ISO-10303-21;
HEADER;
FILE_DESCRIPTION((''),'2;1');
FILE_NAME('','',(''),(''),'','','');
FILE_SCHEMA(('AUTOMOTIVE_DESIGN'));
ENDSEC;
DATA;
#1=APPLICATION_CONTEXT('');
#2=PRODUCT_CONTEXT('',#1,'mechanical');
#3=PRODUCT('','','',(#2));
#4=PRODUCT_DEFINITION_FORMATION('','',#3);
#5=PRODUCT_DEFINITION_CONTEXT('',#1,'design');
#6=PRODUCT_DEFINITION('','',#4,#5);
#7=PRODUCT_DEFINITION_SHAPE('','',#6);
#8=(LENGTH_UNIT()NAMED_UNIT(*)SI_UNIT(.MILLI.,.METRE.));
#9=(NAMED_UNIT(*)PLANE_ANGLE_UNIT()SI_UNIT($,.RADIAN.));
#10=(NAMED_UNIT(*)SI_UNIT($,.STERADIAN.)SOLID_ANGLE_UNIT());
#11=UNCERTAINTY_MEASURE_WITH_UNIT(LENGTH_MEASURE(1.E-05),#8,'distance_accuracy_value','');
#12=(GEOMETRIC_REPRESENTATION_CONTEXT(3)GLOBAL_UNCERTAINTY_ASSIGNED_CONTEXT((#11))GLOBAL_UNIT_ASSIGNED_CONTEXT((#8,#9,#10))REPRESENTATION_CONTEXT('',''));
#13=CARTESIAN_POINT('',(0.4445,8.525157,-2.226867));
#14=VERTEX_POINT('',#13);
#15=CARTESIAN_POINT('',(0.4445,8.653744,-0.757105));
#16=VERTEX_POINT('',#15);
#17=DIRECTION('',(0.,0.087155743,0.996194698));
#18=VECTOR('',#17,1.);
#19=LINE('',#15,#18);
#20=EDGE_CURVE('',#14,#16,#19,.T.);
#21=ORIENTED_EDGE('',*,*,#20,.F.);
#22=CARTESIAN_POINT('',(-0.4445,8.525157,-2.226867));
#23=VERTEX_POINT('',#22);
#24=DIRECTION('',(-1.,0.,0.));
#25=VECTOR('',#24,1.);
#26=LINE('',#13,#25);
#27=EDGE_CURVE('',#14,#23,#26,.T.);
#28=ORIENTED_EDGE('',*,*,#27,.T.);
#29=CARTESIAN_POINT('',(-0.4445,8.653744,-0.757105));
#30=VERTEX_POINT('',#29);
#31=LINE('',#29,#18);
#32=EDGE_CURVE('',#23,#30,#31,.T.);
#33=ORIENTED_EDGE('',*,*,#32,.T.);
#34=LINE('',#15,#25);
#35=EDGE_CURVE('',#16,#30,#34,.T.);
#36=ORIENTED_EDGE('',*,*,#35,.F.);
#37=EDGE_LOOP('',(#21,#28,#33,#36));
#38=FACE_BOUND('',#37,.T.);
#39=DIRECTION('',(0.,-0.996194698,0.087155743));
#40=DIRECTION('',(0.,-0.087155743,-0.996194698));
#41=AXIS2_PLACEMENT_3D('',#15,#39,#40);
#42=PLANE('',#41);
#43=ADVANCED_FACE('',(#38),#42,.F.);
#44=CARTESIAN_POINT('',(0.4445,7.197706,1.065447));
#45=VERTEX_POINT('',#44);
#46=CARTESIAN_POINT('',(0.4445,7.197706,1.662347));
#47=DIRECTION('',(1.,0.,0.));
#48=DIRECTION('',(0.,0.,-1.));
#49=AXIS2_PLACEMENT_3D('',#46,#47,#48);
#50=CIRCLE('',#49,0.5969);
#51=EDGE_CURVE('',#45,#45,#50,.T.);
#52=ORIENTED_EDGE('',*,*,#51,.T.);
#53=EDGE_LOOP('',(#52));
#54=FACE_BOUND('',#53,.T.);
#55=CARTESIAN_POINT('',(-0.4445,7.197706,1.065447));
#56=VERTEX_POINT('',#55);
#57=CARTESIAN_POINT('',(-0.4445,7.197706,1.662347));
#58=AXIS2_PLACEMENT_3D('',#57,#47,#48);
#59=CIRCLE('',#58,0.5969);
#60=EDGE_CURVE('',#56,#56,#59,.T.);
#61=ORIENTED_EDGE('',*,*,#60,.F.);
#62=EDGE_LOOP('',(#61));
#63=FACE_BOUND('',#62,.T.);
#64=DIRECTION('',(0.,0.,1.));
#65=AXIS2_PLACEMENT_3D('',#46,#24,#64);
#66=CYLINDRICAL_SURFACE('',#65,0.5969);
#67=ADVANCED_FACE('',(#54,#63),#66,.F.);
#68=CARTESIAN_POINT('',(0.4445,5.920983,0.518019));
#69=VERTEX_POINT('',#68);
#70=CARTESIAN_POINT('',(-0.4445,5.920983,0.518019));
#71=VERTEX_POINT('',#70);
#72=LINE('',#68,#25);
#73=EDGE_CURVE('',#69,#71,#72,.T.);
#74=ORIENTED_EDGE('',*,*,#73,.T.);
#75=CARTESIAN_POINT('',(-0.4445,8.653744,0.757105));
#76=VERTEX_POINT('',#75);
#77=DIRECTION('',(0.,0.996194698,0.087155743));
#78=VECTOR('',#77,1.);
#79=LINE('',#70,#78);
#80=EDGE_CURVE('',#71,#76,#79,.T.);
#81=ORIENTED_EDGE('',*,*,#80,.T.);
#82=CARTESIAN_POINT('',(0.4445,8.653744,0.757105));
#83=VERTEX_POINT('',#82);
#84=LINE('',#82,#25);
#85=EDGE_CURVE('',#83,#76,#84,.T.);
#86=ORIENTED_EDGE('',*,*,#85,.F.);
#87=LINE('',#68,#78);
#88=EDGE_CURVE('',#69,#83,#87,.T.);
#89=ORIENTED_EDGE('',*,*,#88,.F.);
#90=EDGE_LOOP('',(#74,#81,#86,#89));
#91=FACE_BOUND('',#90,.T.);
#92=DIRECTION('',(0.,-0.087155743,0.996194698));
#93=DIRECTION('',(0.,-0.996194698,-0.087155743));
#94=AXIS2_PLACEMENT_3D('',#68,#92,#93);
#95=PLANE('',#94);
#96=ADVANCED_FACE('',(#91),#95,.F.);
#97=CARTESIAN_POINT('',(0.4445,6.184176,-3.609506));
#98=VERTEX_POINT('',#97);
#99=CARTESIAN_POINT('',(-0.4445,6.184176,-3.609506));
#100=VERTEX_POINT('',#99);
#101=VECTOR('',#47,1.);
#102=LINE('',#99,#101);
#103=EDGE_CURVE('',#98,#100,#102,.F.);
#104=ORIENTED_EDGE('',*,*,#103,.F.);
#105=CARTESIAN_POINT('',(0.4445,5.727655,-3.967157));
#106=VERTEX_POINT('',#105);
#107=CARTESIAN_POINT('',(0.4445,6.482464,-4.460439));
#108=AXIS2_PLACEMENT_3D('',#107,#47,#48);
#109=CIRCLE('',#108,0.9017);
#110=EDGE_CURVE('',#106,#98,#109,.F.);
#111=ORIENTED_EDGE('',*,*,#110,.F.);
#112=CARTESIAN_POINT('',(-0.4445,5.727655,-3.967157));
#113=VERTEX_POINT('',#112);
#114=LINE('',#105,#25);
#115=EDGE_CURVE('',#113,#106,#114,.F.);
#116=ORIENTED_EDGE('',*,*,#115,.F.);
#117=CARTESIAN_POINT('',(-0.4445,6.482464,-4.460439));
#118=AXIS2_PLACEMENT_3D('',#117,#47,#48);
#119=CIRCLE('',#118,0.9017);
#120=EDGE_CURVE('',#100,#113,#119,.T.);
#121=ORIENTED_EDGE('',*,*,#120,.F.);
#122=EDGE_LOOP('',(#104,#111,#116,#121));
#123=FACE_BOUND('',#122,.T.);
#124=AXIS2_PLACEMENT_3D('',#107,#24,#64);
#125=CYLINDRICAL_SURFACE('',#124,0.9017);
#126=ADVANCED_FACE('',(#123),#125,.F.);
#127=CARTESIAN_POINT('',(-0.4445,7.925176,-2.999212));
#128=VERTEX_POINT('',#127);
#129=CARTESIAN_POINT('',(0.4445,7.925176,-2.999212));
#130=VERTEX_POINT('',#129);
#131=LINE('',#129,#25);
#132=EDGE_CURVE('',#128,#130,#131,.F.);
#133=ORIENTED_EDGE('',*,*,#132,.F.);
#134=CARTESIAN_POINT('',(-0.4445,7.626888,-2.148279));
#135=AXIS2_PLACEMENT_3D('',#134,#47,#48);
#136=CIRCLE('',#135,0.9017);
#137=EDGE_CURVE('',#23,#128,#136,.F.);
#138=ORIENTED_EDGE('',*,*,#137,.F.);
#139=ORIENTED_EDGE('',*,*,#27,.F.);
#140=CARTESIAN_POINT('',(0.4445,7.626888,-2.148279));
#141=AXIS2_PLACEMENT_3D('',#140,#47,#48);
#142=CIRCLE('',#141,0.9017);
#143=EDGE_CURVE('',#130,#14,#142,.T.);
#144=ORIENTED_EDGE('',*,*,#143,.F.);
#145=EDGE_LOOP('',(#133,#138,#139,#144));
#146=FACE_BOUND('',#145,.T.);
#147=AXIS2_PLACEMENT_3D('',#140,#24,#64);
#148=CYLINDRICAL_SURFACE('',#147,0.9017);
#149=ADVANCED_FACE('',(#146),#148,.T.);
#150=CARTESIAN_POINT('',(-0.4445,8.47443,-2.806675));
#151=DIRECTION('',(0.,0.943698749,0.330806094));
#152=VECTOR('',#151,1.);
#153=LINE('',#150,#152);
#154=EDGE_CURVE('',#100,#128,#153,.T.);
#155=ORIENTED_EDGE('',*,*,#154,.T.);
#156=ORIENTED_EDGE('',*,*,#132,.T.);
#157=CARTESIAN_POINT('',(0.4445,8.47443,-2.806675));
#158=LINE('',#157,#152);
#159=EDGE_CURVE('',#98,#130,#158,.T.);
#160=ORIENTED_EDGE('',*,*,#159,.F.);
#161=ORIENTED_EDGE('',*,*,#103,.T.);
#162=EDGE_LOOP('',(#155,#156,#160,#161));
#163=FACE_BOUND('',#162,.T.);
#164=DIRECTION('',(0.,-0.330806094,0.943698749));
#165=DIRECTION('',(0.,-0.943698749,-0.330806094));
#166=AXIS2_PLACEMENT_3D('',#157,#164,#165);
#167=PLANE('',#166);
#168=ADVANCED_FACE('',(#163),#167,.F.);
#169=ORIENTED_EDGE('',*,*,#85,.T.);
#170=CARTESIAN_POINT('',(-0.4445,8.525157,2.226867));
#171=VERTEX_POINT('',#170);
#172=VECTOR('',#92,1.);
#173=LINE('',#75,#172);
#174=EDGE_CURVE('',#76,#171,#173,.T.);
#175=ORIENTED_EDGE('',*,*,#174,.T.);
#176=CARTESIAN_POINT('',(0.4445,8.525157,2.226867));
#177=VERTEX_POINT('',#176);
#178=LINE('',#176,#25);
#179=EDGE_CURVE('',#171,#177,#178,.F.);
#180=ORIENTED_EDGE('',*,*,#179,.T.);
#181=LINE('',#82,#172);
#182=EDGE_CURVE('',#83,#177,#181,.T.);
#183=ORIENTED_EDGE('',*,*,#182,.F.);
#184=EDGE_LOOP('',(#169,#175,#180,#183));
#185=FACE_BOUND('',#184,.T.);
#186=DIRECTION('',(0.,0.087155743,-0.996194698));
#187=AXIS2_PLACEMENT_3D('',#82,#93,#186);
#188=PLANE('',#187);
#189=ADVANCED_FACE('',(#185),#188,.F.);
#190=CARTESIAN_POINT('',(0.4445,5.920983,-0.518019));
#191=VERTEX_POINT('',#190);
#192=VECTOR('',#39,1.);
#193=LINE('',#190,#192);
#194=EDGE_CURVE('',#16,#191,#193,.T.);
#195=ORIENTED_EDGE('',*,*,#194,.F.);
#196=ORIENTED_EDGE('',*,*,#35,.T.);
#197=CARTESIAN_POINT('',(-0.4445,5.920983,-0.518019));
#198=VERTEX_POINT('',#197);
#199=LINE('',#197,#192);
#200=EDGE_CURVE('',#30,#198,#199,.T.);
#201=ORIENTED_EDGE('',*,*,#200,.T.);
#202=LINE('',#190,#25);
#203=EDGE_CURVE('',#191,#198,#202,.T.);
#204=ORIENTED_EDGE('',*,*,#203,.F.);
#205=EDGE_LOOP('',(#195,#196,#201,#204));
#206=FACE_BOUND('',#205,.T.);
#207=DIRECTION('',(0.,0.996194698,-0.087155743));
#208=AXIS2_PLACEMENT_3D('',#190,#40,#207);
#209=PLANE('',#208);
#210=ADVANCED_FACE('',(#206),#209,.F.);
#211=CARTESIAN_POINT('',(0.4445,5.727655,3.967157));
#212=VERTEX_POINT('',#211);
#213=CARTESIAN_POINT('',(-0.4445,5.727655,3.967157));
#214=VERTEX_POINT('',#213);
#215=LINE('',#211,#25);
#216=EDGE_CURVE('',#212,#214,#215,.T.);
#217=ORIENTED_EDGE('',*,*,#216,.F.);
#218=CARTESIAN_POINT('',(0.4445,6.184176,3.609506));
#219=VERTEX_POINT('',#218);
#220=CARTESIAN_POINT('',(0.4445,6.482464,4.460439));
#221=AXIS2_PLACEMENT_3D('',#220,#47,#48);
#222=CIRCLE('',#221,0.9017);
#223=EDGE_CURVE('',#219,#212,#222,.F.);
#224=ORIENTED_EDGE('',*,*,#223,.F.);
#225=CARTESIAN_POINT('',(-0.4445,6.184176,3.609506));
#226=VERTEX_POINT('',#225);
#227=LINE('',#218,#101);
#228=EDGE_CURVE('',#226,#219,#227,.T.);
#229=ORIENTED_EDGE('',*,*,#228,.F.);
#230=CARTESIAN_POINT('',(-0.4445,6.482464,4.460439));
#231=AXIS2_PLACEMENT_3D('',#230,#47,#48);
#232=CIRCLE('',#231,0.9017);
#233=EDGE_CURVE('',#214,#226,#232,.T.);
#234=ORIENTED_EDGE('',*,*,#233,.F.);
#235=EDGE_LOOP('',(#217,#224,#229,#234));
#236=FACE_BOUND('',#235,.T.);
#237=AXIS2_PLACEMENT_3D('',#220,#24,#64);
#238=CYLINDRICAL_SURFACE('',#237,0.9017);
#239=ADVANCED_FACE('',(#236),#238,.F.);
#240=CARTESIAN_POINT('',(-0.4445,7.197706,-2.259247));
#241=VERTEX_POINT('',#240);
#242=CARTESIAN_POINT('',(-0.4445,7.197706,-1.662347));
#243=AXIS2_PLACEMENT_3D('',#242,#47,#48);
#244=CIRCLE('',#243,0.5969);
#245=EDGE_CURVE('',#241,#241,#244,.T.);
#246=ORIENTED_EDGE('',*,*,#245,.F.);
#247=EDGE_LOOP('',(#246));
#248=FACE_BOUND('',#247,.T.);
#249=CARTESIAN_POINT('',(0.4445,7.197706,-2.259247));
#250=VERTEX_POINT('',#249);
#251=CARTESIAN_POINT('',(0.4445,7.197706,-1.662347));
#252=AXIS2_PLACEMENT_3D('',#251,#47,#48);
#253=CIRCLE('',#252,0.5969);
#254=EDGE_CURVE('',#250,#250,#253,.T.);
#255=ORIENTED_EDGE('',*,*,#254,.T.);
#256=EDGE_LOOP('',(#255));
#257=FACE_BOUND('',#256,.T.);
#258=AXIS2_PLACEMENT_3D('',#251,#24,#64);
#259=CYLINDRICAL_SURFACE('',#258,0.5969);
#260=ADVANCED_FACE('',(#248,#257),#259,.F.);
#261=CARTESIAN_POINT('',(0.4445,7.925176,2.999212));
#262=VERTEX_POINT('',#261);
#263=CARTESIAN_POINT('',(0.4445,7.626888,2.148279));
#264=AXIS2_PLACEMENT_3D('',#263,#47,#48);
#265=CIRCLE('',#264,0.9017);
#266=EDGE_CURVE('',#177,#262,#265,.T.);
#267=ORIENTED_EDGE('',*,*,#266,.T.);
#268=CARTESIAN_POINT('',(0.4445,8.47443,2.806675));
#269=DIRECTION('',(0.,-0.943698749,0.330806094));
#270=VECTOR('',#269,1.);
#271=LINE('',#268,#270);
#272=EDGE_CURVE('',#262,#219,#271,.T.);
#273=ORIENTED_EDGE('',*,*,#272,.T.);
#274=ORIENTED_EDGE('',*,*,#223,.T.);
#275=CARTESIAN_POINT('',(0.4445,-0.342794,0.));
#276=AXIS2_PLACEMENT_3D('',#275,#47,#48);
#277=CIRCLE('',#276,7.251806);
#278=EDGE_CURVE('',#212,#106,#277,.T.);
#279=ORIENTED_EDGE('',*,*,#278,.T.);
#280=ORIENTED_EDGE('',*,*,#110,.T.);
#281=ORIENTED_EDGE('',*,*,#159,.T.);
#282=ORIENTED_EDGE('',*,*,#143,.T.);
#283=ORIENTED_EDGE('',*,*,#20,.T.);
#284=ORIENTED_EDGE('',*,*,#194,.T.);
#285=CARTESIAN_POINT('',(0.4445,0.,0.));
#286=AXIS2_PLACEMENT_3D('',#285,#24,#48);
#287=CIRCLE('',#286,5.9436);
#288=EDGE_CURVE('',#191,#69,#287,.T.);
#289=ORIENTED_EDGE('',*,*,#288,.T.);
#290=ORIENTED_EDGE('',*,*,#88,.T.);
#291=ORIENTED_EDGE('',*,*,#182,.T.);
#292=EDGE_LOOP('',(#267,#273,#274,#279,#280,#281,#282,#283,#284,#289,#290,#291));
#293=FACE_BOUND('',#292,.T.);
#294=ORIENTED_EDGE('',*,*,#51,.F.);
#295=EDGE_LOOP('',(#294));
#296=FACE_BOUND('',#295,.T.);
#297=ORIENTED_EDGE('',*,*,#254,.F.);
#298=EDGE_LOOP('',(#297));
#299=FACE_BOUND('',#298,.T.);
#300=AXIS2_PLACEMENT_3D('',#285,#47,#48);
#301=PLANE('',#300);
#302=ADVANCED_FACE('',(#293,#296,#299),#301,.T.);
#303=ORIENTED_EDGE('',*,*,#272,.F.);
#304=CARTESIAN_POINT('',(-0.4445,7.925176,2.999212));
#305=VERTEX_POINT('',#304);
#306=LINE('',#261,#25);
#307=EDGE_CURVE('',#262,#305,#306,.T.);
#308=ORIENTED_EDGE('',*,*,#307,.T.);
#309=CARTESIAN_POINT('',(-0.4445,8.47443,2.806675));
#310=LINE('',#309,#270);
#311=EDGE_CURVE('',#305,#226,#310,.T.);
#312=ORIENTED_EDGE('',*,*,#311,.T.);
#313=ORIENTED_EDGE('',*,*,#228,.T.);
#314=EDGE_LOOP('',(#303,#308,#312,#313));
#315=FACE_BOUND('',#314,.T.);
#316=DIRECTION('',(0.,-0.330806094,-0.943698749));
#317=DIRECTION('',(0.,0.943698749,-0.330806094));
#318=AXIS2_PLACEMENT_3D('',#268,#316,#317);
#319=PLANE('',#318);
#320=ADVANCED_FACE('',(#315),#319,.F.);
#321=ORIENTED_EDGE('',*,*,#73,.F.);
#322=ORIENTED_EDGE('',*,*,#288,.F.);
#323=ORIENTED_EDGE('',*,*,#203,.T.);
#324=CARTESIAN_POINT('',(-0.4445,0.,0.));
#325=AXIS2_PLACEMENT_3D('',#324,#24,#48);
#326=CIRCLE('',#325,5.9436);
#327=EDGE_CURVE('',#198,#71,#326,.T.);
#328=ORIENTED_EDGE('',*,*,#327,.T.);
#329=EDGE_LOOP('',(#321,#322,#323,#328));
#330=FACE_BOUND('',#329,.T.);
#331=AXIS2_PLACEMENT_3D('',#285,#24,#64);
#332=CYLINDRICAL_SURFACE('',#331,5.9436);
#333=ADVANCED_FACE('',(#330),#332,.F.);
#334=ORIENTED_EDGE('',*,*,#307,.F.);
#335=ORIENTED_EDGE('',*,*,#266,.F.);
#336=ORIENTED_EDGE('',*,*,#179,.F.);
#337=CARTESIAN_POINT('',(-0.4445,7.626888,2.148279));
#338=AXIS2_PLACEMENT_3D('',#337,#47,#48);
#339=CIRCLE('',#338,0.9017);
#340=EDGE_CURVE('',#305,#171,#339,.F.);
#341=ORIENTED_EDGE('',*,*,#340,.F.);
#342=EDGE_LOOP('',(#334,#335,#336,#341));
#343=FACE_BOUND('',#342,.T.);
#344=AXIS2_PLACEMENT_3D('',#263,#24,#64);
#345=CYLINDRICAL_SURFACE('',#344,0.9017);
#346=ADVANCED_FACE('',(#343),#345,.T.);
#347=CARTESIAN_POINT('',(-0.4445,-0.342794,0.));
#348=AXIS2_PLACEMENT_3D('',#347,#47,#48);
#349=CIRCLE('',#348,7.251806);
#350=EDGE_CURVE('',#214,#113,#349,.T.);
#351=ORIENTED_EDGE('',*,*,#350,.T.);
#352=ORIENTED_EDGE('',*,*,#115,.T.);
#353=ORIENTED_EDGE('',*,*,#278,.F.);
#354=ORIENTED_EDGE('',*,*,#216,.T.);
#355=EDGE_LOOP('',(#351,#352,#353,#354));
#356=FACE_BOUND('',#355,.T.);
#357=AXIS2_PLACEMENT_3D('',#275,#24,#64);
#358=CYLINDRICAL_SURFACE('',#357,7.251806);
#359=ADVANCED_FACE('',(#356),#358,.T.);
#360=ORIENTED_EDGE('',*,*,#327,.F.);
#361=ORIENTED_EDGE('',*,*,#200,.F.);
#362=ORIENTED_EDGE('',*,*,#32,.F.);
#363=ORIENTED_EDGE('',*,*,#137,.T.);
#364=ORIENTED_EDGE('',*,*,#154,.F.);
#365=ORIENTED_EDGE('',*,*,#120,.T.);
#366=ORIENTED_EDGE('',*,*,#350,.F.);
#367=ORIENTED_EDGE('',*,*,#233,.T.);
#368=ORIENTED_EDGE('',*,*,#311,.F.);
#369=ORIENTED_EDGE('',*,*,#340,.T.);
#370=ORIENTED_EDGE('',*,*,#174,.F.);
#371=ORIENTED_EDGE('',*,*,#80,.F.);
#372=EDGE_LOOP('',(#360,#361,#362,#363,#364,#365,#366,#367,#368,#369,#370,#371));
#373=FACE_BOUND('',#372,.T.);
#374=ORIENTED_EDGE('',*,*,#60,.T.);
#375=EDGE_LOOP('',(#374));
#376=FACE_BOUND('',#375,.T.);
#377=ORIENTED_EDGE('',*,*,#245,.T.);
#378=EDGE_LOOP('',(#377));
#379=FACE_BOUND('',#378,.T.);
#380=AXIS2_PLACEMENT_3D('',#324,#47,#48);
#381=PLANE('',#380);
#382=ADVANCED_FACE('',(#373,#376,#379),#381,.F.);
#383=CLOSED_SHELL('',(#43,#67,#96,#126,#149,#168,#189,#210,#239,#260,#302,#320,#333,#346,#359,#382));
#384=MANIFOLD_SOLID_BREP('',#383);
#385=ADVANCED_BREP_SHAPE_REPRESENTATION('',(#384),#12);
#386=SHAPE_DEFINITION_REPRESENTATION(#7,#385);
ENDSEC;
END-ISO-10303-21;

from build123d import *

# Parameters (mm, degrees)
SKETCH1_R      = 0.5969
EXTRUDE1_DEPTH = 0.4445
FILLET1_R      = 0.9017


with BuildPart() as part:
    # Sketch1 → Extrude1 (new, symmetric)
    with BuildSketch(Plane(origin=(0, 0, 0), x_dir=(0, 0, -1), z_dir=(1, 0, 0))):
        with BuildLine():
            Line((-0.518018873, 5.920982808), (-0.757104506, 8.653744103))
            Line((-0.757104506, 8.653744103), (-2.806675478, 8.474429878))
            Line((-2.806675478, 8.474429878), (-3.714142755, 5.885675471))
            ThreePointArc((-3.714142755, 5.885675471), (0, -7.5946), (3.714142755, 5.885675471))
            Line((3.714142755, 5.885675471), (2.806675478, 8.474429878))
            Line((2.806675478, 8.474429878), (0.757104506, 8.653744103))
            Line((0.757104506, 8.653744103), (0.518018873, 5.920982808))
            ThreePointArc((0.518018873, 5.920982808), (0, -5.9436), (-0.518018873, 5.920982808))
        make_face()
        with Locations((-1.662347175, 7.197706343)):
            Circle(SKETCH1_R, mode=Mode.SUBTRACT)
        with Locations((1.662347175, 7.197706343)):
            Circle(SKETCH1_R, mode=Mode.SUBTRACT)
    extrude(amount=EXTRUDE1_DEPTH, both=True)

    # Fillet1
    fillet1_edges = [part.edges().sort_by_distance(p)[0] for p in [
        (0, 8.474429878, -2.806675478),
        (0, 5.885675471, -3.714142755),
        (0, 5.885675471, 3.714142755),
        (0, 8.474429878, 2.806675478),
    ]]
    fillet(fillet1_edges, radius=FILLET1_R)


solid = part.part
